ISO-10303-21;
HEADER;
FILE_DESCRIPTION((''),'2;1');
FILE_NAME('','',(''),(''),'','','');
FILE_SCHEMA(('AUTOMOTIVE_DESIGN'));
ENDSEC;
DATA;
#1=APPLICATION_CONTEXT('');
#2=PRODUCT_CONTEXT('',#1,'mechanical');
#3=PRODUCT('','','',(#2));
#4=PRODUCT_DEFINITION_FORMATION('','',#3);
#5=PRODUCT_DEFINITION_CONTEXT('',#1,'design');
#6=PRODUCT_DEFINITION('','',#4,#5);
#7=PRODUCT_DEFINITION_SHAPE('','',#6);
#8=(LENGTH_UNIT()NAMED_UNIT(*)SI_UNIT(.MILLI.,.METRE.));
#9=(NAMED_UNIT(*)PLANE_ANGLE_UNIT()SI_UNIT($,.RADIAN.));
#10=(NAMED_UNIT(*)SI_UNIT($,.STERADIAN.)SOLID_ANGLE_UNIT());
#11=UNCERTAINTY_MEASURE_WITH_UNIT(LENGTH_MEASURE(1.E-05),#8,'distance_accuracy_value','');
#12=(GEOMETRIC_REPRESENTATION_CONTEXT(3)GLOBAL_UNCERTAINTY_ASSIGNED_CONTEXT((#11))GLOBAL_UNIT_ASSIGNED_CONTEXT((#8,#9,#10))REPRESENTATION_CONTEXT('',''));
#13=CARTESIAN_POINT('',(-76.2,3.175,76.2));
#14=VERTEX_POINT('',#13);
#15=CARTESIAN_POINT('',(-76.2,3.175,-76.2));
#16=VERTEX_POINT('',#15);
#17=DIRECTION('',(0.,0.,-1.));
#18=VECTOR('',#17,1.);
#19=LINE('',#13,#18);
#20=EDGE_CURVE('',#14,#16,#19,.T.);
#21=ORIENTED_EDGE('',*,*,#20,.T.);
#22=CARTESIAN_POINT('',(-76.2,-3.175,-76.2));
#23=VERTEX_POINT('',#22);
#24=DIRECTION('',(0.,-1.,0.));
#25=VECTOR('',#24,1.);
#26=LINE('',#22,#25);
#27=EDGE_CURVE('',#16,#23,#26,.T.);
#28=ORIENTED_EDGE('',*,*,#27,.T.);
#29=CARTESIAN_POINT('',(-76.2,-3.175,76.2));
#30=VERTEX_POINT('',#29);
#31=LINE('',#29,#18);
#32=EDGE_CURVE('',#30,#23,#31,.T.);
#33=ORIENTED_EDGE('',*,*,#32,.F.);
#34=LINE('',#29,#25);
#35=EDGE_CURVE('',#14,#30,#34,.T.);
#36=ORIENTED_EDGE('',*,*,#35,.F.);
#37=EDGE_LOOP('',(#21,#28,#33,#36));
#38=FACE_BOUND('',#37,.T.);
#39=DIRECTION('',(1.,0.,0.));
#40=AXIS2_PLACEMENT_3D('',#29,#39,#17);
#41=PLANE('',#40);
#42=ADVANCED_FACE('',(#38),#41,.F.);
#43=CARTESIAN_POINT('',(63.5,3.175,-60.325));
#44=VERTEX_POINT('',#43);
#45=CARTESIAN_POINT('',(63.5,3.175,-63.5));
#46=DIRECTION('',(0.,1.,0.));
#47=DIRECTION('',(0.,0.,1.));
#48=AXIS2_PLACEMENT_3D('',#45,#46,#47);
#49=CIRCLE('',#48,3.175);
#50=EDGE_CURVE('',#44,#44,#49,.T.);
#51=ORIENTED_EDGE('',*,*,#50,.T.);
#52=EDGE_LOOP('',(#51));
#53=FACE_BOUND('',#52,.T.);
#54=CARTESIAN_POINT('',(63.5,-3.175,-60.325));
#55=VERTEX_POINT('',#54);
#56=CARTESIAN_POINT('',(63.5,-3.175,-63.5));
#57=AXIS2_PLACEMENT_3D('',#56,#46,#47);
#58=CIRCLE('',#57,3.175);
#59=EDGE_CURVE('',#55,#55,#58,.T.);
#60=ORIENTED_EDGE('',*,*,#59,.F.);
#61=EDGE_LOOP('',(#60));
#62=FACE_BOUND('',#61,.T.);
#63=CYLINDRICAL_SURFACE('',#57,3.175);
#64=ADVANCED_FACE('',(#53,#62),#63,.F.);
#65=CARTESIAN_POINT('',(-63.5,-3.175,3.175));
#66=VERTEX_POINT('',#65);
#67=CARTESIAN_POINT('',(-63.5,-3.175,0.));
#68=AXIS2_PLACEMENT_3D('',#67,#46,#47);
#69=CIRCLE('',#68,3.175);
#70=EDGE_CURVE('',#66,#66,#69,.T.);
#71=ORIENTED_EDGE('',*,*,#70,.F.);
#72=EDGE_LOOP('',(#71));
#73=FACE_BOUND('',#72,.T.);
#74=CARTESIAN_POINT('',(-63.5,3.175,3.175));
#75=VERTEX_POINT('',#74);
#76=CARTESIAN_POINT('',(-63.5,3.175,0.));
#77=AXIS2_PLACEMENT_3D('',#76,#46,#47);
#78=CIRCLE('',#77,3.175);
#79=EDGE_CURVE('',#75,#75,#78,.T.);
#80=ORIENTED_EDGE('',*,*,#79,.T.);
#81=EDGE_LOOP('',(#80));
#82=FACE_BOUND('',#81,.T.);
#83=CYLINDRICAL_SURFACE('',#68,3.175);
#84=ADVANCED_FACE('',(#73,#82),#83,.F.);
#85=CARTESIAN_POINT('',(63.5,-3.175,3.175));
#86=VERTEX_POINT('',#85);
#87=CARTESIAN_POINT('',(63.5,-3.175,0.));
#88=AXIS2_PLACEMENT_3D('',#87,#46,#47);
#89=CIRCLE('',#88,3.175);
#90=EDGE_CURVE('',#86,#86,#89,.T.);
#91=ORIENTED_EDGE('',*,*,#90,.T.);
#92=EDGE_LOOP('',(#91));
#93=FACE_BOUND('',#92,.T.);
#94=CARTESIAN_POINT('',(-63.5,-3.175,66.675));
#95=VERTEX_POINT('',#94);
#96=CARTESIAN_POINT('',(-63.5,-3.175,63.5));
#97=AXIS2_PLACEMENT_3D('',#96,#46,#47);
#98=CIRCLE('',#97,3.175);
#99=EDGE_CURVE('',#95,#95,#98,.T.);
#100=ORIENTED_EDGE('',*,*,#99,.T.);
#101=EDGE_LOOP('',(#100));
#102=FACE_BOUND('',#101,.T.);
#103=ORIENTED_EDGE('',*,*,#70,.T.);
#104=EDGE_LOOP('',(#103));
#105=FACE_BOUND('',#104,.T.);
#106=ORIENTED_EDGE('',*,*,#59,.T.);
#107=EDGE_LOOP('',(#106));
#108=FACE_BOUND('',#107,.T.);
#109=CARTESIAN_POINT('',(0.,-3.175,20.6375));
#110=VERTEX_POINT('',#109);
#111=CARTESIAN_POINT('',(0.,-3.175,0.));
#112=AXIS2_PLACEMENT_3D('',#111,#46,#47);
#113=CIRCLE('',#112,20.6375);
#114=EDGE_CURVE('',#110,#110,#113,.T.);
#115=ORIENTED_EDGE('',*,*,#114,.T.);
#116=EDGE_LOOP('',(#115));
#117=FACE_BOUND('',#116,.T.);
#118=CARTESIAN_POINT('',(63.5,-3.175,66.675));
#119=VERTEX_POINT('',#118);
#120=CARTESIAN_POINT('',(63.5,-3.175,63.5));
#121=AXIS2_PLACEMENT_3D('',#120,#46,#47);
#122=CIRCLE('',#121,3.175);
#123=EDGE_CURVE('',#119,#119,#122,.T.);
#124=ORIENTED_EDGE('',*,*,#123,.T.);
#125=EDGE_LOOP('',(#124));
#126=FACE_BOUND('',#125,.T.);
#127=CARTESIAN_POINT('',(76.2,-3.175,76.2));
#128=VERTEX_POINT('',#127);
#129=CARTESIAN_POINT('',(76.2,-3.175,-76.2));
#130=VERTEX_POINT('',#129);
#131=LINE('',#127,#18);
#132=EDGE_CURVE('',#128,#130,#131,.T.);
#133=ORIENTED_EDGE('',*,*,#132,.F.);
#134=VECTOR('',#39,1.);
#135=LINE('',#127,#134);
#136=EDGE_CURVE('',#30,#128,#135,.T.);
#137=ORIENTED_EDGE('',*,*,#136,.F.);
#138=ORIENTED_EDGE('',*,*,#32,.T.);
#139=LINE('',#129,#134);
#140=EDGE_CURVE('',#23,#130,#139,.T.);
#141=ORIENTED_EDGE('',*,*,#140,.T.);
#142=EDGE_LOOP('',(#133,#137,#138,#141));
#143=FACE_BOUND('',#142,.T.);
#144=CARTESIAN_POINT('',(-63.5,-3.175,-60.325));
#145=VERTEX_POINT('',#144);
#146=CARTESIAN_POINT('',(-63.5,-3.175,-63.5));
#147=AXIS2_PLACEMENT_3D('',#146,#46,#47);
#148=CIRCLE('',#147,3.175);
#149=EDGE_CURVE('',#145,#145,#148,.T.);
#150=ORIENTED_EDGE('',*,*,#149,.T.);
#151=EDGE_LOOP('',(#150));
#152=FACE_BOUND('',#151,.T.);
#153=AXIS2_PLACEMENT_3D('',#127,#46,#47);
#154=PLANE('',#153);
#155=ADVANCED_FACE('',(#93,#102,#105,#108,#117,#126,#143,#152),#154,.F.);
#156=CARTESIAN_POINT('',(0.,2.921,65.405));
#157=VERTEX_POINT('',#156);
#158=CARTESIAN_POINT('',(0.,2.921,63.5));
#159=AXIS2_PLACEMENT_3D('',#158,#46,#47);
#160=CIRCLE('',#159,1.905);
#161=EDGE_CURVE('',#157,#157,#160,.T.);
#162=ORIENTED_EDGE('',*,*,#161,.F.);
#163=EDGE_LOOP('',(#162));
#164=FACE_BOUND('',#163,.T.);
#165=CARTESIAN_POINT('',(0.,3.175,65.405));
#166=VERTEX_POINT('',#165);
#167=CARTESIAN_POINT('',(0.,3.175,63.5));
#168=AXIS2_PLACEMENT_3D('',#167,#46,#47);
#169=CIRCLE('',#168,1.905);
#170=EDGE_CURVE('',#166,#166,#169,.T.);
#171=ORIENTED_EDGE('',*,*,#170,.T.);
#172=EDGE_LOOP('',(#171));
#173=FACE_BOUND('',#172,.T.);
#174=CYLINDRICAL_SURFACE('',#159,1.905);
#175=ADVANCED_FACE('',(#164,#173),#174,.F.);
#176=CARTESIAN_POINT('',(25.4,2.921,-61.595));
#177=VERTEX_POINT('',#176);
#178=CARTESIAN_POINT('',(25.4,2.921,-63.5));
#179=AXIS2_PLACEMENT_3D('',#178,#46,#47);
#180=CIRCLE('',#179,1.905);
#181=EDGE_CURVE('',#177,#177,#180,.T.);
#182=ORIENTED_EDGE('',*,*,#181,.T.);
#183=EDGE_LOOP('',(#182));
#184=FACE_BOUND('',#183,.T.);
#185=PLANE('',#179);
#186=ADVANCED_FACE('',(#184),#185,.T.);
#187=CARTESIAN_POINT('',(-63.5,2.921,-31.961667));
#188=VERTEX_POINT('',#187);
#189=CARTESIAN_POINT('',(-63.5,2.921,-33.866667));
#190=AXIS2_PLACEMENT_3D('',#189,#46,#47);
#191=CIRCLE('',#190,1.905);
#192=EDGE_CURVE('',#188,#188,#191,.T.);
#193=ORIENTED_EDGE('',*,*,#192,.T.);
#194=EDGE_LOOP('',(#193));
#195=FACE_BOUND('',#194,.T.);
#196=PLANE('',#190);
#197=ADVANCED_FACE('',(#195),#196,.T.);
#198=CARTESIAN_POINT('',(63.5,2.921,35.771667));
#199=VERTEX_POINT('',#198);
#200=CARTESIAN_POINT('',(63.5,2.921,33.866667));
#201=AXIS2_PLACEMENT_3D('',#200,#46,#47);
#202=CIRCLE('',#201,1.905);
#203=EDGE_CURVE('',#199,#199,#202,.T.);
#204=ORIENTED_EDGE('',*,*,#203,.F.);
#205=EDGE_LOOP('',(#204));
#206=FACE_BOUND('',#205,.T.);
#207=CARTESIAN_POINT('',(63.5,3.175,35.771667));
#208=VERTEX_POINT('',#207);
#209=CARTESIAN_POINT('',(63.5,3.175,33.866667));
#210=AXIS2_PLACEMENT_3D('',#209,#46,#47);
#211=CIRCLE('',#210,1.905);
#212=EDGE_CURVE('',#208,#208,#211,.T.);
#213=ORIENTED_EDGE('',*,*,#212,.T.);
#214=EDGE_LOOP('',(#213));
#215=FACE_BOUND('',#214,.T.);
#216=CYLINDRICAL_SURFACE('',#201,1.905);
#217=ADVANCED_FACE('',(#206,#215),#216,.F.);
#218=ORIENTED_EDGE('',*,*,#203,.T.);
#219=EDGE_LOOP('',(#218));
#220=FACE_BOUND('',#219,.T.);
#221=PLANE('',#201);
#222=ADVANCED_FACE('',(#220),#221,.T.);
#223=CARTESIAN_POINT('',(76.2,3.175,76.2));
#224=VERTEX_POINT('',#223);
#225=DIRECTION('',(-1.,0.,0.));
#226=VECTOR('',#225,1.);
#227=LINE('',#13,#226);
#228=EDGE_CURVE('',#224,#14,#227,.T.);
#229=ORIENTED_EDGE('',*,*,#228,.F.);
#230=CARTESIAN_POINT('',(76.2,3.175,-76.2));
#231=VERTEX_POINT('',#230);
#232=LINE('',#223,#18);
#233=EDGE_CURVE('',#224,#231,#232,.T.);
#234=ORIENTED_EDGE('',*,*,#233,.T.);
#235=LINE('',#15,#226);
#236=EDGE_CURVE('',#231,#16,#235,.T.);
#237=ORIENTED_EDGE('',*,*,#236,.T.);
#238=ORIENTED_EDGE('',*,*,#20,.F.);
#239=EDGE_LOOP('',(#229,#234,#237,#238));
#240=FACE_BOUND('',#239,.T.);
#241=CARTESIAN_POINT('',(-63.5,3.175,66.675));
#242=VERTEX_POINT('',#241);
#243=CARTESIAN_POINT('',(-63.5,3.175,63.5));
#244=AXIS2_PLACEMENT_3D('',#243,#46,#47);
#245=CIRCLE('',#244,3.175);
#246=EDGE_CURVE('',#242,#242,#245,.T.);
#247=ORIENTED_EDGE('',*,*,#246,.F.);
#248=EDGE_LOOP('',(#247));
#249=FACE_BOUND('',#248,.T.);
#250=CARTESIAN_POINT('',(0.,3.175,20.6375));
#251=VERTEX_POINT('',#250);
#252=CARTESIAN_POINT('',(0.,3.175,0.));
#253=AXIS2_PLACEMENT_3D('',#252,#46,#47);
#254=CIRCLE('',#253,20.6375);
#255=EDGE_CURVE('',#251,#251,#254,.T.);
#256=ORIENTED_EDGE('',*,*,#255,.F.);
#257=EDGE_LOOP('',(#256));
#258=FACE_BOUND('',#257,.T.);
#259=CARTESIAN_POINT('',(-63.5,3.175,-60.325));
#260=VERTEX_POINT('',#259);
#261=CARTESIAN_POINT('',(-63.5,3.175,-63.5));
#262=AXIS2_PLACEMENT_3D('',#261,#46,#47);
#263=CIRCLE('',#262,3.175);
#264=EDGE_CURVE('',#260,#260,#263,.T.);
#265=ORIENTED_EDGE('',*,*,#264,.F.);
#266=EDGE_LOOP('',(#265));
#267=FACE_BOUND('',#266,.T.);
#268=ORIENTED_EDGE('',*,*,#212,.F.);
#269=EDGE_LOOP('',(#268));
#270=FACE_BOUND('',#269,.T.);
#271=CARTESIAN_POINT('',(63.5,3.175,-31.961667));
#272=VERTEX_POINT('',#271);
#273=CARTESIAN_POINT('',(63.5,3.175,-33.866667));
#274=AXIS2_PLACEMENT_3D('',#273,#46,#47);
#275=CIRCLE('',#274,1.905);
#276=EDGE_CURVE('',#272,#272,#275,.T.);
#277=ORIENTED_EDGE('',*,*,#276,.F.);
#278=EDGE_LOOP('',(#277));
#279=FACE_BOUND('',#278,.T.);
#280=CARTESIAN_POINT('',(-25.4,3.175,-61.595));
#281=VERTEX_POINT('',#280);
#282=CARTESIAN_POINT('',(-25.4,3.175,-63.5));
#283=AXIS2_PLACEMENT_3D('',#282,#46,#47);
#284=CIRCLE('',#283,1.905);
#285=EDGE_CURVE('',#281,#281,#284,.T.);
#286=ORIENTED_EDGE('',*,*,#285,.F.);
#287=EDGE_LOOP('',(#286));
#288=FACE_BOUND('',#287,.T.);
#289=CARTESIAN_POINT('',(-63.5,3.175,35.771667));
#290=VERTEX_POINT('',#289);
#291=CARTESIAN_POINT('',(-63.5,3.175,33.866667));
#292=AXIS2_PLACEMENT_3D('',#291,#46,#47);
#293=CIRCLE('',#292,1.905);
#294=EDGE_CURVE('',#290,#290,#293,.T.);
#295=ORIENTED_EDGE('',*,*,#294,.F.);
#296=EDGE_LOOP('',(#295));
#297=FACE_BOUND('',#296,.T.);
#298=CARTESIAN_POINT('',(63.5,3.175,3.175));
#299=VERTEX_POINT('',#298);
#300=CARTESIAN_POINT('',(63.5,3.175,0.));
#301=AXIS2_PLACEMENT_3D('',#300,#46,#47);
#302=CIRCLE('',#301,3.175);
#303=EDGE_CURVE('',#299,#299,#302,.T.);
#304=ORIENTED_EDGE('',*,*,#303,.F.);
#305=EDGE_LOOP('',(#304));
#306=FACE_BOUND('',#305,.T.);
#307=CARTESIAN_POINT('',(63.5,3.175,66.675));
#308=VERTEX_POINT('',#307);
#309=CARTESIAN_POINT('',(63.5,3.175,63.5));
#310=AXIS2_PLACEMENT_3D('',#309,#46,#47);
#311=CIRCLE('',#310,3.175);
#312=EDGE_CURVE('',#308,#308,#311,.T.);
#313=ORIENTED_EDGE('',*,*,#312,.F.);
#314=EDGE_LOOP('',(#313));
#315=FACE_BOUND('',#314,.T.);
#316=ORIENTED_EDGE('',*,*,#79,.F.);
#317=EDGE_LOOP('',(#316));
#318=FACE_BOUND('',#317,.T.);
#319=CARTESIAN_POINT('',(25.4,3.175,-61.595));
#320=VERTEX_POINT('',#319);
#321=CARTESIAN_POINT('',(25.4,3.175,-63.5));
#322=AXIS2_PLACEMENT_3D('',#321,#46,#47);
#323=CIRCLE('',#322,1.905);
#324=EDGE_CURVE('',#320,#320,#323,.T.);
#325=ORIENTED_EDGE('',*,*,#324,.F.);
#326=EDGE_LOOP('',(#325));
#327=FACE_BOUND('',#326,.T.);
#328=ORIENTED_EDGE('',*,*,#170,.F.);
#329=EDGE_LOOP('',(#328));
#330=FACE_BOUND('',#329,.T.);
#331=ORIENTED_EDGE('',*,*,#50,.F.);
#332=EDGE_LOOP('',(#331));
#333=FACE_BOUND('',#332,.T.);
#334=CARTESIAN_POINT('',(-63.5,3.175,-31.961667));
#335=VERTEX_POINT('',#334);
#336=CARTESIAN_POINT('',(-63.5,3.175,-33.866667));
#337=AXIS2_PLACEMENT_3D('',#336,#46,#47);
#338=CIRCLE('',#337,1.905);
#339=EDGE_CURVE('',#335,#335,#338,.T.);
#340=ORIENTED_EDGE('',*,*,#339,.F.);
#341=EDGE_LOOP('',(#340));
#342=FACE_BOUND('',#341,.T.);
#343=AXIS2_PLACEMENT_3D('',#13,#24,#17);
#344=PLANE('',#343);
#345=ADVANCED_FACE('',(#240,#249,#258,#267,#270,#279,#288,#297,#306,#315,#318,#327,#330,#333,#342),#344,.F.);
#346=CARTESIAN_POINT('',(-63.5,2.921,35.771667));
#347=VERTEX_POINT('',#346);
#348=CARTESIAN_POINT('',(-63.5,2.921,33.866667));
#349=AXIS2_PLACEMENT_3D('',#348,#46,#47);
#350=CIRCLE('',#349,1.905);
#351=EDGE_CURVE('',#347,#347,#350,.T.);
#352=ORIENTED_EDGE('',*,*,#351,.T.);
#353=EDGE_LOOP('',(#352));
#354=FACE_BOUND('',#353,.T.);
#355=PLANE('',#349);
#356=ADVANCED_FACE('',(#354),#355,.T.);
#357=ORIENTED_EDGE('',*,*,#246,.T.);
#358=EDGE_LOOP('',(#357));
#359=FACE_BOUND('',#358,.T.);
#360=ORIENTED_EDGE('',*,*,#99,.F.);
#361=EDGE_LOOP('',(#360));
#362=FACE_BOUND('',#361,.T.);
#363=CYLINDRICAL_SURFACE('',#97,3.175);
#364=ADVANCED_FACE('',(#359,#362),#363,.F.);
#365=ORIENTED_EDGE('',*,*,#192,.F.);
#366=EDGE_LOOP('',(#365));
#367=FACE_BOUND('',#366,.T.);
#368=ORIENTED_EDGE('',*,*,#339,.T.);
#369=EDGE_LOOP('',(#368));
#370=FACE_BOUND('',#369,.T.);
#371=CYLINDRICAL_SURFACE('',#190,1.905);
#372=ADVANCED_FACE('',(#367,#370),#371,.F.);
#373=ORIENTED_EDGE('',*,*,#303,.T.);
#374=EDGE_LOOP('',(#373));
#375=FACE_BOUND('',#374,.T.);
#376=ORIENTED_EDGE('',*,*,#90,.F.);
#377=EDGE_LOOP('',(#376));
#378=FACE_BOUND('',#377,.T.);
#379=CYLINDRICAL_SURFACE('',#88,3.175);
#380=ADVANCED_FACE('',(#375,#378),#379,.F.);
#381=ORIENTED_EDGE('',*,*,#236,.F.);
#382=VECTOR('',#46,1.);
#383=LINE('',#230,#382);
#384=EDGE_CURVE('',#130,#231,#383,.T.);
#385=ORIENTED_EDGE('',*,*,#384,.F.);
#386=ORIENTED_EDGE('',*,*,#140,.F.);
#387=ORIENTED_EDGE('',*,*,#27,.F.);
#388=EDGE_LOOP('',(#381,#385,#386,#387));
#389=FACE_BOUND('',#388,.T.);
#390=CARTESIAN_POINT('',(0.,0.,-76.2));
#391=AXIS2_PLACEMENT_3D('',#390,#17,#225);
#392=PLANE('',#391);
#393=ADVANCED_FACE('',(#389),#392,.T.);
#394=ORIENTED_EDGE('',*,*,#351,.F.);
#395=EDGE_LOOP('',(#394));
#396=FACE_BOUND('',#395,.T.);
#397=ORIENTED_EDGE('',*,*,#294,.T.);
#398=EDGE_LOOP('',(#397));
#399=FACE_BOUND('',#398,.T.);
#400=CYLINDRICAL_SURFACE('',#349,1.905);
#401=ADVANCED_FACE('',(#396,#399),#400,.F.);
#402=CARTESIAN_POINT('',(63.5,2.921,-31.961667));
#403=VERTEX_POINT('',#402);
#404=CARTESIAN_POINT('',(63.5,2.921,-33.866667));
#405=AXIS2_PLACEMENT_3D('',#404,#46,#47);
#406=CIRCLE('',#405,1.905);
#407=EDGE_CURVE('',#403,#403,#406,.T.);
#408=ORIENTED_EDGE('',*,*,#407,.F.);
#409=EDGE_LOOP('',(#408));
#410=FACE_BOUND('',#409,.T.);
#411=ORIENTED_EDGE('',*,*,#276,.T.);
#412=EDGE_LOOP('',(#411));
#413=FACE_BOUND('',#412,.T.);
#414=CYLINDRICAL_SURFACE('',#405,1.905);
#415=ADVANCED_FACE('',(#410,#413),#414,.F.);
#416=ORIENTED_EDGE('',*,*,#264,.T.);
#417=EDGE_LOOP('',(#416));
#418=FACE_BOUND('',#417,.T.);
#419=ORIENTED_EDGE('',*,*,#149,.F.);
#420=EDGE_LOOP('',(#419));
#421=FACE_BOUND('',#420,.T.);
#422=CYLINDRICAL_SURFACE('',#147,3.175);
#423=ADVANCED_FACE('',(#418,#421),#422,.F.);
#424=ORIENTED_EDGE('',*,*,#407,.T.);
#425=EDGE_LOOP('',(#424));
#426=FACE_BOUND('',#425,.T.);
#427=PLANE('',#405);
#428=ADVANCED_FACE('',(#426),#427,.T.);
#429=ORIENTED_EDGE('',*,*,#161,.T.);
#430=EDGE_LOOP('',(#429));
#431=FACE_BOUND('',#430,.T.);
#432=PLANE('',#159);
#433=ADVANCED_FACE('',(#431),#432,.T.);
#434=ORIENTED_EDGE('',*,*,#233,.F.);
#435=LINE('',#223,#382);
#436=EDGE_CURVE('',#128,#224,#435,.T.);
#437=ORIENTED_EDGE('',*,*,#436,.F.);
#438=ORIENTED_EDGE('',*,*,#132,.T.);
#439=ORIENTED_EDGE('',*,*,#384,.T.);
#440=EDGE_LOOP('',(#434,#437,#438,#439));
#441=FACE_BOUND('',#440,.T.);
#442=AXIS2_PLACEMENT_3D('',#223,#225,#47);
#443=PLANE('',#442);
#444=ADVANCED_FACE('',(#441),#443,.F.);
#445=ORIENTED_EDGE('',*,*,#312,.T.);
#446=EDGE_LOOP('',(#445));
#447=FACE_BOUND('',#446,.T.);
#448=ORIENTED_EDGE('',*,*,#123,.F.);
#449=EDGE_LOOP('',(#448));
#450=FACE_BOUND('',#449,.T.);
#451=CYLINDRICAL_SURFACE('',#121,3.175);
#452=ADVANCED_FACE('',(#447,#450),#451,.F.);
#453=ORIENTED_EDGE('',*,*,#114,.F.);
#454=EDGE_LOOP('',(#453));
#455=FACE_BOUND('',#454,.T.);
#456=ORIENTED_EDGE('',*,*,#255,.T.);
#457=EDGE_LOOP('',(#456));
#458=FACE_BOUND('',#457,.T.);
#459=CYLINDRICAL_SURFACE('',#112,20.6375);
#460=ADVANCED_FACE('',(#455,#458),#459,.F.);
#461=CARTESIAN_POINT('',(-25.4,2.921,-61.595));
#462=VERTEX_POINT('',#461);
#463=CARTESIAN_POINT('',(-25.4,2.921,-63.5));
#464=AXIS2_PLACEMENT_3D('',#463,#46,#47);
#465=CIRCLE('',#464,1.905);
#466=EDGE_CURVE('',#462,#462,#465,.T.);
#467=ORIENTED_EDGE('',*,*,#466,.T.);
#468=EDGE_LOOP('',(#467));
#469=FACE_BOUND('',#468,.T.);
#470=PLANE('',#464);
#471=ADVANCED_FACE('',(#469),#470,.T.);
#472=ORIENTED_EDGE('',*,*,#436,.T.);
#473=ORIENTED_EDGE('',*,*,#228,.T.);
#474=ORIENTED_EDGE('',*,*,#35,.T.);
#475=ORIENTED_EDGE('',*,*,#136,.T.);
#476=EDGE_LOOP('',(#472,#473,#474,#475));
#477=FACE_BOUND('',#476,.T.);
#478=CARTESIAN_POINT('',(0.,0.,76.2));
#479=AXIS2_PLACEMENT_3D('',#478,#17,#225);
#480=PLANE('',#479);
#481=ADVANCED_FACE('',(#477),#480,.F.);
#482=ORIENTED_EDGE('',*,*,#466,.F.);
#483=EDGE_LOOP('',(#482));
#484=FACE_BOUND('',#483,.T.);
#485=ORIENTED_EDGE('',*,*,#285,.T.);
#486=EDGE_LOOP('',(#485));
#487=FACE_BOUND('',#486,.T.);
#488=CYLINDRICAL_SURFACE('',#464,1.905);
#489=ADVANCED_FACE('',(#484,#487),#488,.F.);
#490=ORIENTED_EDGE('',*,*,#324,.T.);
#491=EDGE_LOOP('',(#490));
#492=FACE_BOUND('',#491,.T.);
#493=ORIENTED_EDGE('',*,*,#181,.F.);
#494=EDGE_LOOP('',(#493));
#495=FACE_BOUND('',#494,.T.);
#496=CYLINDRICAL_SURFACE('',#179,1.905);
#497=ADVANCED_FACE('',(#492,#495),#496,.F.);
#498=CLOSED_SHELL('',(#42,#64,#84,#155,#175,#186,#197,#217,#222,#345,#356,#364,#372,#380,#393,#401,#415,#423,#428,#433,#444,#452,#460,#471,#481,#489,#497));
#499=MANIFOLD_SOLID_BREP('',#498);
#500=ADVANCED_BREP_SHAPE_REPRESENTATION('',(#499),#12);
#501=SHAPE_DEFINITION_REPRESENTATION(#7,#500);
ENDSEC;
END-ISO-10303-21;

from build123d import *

# Parameters (mm, degrees)
SKETCH3_W           = 152.4
SKETCH3_H           = 6.35
BOSS_EXTRUDE1_DEPTH = 76.2
SKETCH4_R           = 3.175
CUT_EXTRUDE1_DEPTH  = 108.95
SKETCH5_R           = 1.905
SKETCH5_R_2         = 3.175
CUT_EXTRUDE2_DEPTH  = 0.254
SKETCH6_R           = 20.6375
CUT_EXTRUDE3_DEPTH  = 108.95


with BuildPart() as part:
    # Sketch3 → Boss-Extrude1 (new, symmetric)
    with BuildSketch(Plane.XY):
        Rectangle(SKETCH3_W, SKETCH3_H)
    extrude(amount=BOSS_EXTRUDE1_DEPTH, both=True)

    # Sketch4 → Cut-Extrude1 (cut, through all)
    with BuildSketch(Plane(origin=(0, 3.175, 0), x_dir=(1, 0, 0), z_dir=(0, 1, 0))):
        with Locations(Location((-63.5, 63.5, 0), (0, 0, 270))):
            Circle(SKETCH4_R)
        with Locations(Location((63.5, 63.5, 0), (0, 0, 270))):
            Circle(SKETCH4_R)
        with Locations(Location((63.5, 0, 0), (0, 0, 270))):
            Circle(SKETCH4_R)
        with Locations(Location((63.5, -63.5, 0), (0, 0, 270))):
            Circle(SKETCH4_R)
        with Locations(Location((-63.5, -63.5, 0), (0, 0, 270))):
            Circle(SKETCH4_R)
        with Locations(Location((-63.5, 0, 0), (0, 0, 270))):
            Circle(SKETCH4_R)
    extrude(amount=-CUT_EXTRUDE1_DEPTH, mode=Mode.SUBTRACT)

    # Sketch5 → Cut-Extrude2 (cut)
    with BuildSketch(Plane(origin=(0, 3.175, 0), x_dir=(1, 0, 0), z_dir=(0, 1, 0))):
        with Locations(Location((-25.4, 63.5, 0), (0, 0, 270))):
            Circle(SKETCH5_R)
        with Locations(Location((25.4, 63.5, 0), (0, 0, 270))):
            Circle(SKETCH5_R)
        with Locations(Location((63.5, 33.866666667, 0), (0, 0, 270))):
            Circle(SKETCH5_R)
        with Locations(Location((63.5, -33.866666667, 0), (0, 0, 270))):
            Circle(SKETCH5_R)
        with Locations(Location((0, -63.5, 0), (0, 0, 270))):
            Circle(SKETCH5_R)
        with Locations(Location((-63.5, -33.866666667, 0), (0, 0, 270))):
            Circle(SKETCH5_R)
        with Locations(Location((-63.5, 33.866666667, 0), (0, 0, 270))):
            Circle(SKETCH5_R)
        with Locations(Location((63.5, -63.5, 0), (0, 0, 270))):
            Circle(SKETCH5_R_2)
        with Locations(Location((-63.5, 63.5, 0), (0, 0, 270))):
            Circle(SKETCH5_R_2)
    extrude(amount=-CUT_EXTRUDE2_DEPTH, mode=Mode.SUBTRACT)

    # Sketch6 → Cut-Extrude3 (cut, through all)
    with BuildSketch(Plane(origin=(0, 3.175, 0), x_dir=(1, 0, 0), z_dir=(0, 1, 0))):
        with Locations(Location((0, 0, 0), (0, 0, 270))):
            Circle(SKETCH6_R)
    extrude(amount=-CUT_EXTRUDE3_DEPTH, mode=Mode.SUBTRACT)


solid = part.part
